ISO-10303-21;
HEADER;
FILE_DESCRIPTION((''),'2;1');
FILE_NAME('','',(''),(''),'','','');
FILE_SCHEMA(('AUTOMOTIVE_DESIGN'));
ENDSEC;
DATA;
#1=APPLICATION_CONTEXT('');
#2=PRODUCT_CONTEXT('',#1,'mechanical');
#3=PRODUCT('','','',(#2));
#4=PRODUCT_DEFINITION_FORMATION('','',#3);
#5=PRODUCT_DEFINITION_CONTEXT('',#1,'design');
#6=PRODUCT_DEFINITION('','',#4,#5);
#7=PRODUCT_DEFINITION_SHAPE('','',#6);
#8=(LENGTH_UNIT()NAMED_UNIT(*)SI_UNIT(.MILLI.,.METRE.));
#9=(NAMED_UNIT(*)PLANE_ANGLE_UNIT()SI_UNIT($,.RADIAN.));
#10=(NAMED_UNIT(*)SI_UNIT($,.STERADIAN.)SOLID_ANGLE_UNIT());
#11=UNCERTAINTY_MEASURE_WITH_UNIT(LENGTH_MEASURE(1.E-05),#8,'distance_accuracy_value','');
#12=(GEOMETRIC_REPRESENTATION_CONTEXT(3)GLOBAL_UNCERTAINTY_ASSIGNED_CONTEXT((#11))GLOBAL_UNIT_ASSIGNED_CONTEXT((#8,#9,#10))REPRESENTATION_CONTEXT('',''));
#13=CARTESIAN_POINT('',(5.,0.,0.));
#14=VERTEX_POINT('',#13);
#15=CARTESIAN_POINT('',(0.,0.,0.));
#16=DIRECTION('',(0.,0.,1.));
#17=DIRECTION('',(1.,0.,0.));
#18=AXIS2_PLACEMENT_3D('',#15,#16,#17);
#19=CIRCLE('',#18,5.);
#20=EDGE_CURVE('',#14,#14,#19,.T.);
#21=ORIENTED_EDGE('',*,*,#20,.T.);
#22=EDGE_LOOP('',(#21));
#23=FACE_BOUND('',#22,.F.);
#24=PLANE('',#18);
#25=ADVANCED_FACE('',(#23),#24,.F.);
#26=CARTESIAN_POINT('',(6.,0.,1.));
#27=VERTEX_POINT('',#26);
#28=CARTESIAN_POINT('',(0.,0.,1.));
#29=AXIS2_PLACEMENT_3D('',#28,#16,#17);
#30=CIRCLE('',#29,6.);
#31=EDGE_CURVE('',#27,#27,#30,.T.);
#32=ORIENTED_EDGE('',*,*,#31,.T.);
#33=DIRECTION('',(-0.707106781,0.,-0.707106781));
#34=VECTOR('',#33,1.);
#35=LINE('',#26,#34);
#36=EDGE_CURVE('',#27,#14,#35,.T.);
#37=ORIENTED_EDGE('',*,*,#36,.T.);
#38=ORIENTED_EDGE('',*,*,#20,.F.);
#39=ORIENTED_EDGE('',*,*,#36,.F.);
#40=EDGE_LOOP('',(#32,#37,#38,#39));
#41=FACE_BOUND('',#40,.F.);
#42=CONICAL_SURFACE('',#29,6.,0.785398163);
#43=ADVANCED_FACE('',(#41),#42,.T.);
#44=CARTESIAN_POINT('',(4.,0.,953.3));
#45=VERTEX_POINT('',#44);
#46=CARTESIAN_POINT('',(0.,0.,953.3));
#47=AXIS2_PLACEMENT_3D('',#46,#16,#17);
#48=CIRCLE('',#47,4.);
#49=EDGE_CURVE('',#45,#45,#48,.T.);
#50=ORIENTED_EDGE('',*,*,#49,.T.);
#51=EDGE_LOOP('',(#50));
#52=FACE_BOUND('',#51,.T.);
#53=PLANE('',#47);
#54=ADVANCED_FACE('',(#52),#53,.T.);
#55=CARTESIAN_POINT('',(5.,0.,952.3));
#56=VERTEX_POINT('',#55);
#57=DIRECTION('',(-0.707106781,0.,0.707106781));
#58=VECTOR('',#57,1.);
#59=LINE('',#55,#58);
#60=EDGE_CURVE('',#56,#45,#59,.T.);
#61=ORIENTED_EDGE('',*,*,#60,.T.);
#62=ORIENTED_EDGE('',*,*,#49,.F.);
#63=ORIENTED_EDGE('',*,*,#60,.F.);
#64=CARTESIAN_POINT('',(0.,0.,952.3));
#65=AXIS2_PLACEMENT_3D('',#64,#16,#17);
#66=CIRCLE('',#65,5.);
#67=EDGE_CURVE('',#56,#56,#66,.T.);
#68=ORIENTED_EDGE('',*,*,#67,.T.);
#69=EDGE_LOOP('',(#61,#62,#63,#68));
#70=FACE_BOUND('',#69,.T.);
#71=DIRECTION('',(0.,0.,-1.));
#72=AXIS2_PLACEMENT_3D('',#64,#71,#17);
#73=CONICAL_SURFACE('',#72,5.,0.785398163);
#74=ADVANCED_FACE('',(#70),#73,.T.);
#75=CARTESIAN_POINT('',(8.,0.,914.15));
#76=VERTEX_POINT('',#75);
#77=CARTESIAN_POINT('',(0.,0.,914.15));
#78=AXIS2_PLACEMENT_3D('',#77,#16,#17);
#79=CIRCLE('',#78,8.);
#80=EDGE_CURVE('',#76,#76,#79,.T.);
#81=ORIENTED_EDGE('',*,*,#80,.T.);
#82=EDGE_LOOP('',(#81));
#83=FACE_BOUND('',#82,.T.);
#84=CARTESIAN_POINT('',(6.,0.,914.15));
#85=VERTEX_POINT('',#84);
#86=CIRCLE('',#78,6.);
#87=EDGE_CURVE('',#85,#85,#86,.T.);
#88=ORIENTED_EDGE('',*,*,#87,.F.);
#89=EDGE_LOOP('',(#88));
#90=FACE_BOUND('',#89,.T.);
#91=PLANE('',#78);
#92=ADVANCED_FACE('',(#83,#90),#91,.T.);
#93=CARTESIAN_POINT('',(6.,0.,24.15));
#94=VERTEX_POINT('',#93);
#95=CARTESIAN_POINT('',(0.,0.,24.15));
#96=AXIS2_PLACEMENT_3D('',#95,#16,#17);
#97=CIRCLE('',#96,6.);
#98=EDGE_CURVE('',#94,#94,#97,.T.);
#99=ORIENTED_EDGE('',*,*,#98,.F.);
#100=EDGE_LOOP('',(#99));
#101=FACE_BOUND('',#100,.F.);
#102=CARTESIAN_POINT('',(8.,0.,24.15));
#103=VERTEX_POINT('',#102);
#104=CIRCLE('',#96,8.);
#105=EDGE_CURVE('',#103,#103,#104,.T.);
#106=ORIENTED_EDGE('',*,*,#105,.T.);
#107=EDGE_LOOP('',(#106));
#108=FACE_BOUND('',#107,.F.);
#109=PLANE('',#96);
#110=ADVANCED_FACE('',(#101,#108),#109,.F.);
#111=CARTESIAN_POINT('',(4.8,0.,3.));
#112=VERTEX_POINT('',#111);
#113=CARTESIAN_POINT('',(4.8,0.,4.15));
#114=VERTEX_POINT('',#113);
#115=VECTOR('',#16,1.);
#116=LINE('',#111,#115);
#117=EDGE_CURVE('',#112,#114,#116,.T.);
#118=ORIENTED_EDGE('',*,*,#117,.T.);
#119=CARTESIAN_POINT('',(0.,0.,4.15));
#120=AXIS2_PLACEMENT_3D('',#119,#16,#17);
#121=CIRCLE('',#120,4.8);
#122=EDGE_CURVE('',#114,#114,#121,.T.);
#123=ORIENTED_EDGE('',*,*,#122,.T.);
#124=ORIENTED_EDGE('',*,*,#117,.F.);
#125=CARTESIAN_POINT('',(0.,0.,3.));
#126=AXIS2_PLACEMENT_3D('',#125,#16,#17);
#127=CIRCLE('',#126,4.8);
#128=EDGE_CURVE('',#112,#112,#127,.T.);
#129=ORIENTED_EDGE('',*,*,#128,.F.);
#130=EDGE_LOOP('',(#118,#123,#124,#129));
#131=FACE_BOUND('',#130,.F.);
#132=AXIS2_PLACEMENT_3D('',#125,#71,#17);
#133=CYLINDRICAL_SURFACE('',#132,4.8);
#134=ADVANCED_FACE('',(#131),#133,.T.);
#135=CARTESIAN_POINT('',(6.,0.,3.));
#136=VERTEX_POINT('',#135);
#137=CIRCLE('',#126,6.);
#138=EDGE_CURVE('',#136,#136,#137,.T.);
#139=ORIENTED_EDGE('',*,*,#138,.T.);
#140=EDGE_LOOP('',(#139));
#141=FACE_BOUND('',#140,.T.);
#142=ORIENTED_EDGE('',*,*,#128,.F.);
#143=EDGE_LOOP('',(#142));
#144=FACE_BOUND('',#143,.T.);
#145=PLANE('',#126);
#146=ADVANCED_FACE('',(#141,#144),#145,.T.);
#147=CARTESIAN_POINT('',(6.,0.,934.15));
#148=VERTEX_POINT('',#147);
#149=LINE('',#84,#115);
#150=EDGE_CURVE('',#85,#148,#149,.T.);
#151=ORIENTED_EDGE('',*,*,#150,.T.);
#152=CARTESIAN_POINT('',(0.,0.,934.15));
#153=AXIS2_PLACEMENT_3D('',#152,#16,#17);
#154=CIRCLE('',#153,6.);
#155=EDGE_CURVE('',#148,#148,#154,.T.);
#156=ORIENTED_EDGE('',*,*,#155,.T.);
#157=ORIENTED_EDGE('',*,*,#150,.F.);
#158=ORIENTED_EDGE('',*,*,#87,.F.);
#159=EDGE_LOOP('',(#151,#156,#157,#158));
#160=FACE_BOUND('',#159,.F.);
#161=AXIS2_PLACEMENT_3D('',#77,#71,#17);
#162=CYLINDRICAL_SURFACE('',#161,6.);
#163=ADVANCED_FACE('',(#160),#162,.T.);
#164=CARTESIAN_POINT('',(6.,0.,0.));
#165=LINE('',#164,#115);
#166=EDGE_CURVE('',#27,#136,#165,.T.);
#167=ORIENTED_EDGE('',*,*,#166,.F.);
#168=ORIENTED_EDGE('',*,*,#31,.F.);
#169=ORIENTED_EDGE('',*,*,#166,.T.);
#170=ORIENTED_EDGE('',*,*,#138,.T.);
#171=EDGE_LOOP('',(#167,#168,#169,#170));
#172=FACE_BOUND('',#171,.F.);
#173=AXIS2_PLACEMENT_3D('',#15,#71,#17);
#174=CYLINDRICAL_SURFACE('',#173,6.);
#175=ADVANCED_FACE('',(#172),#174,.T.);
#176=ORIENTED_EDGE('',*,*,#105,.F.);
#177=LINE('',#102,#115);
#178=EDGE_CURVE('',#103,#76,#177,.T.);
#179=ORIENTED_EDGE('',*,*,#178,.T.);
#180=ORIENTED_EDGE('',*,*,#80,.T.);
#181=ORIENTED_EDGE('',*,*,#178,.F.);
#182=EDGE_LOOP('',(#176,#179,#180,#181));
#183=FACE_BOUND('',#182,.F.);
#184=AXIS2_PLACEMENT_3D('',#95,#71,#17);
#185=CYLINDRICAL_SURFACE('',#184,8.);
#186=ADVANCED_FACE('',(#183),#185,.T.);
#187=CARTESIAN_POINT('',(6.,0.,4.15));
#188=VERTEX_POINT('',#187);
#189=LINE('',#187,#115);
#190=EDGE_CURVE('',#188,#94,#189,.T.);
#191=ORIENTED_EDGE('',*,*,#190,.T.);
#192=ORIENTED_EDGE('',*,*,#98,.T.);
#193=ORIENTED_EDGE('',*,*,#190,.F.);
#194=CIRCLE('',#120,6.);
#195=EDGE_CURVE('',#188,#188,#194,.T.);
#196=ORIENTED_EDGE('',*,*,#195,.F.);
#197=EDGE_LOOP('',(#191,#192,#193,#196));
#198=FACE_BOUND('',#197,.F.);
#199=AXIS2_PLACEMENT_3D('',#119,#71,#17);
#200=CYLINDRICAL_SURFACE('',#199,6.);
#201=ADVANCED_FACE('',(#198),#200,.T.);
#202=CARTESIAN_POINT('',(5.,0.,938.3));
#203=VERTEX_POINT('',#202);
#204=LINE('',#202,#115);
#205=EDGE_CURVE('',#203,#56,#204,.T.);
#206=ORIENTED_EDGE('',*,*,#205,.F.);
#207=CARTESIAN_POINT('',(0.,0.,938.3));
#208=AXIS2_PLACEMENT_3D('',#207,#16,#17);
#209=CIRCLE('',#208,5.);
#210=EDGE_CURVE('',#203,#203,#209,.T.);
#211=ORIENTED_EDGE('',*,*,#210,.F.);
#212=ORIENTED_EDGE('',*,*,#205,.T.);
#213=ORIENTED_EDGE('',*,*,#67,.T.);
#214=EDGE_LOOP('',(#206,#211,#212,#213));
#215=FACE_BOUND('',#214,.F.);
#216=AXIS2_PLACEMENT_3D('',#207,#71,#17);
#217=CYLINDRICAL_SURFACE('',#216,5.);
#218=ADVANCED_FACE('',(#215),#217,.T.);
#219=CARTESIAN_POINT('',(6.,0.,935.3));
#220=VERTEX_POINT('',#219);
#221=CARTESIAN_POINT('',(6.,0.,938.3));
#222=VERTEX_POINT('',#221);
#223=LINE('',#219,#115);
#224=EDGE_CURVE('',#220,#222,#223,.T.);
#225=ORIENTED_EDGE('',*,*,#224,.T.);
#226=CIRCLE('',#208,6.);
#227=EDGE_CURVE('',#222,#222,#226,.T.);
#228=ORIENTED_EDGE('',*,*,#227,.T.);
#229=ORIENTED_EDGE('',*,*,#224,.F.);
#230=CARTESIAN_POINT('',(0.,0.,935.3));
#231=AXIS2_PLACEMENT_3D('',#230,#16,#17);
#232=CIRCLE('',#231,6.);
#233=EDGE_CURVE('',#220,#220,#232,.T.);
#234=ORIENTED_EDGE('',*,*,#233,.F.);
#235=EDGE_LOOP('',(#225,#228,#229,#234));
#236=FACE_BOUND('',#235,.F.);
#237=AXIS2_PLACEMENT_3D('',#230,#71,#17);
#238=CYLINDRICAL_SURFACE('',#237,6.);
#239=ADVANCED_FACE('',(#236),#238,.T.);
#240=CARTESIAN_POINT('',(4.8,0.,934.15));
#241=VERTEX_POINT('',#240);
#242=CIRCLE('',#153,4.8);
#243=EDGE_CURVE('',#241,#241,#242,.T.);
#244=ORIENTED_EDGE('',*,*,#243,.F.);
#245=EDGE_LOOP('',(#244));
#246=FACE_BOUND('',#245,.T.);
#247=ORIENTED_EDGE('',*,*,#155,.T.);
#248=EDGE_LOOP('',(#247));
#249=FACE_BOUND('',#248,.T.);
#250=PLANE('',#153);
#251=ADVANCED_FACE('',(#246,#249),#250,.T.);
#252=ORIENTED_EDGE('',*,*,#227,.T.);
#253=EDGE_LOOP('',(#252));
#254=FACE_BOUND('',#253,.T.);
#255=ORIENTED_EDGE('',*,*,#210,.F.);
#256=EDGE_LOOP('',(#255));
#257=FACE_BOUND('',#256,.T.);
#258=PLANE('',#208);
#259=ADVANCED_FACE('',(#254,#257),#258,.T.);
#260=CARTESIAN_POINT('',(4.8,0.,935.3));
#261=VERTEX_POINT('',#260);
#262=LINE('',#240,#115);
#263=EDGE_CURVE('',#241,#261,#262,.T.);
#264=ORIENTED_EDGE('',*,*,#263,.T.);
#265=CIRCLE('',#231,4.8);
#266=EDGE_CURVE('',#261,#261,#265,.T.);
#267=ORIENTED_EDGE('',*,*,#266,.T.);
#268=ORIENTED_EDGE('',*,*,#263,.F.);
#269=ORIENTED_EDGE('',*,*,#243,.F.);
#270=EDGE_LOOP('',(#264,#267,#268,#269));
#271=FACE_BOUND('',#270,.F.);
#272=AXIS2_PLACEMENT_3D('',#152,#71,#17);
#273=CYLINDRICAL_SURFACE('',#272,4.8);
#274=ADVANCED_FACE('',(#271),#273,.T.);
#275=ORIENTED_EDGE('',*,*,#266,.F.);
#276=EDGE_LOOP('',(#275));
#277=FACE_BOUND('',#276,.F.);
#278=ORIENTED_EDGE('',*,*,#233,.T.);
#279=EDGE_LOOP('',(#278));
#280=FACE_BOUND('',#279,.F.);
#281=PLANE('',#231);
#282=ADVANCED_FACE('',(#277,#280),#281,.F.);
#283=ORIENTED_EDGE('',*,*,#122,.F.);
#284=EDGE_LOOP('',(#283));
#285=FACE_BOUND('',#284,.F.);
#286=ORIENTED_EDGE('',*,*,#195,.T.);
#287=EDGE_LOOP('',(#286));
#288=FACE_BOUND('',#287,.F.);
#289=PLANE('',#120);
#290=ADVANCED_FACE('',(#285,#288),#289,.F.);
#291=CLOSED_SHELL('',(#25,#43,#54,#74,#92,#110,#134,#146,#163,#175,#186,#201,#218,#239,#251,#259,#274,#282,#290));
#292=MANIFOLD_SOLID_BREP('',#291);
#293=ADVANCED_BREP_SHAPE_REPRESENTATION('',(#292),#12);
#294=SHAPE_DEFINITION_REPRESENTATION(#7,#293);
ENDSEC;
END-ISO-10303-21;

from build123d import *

# Parameters (mm, degrees)
F0_R      = 6
F1_DEPTH  = 3
F2_R      = 4.8
F3_DEPTH  = 1.15
F4_R      = 6
F4_R_2    = 4.8
F5_DEPTH  = 20
F6_R      = 8
F6_R_2    = 6
F7_DEPTH  = 890
F8_R      = 6
F9_DEPTH  = 20
F10_R     = 4.8
F11_DEPTH = 1.15
F12_R     = 6
F12_R_2   = 4.8
F13_DEPTH = 3
F14_R     = 5
F15_DEPTH = 15
F16_SIZE  = 1


with BuildPart() as f1:
    # F0 (on Top) → F1 (new body)
    with BuildSketch(Plane.XY):
        Circle(F0_R)
    extrude(amount=F1_DEPTH)

    # F2 (on face) → F3 (join)
    with BuildSketch(Plane.XY.offset(3)):
        Circle(F2_R)
    extrude(amount=F3_DEPTH)

    # F4 (on face) → F5 (join)
    with BuildSketch(Plane.XY.offset(4.15)):
        Circle(F4_R)
        Circle(F4_R_2, mode=Mode.SUBTRACT)
        Circle(F4_R_2)
    extrude(amount=F5_DEPTH)

    # F6 (on face) → F7 (join)
    with BuildSketch(Plane.XY.offset(24.15)):
        Circle(F6_R)
        Circle(F6_R_2, mode=Mode.SUBTRACT)
        Circle(F6_R_2)
    extrude(amount=F7_DEPTH)

    # F8 (on face) → F9 (join)
    with BuildSketch(Plane.XY.offset(914.15)):
        Circle(F8_R)
    extrude(amount=F9_DEPTH)

    # F10 (on face) → F11 (join)
    with BuildSketch(Plane.XY.offset(934.15)):
        Circle(F10_R)
    extrude(amount=F11_DEPTH)

    # F12 (on face) → F13 (join)
    with BuildSketch(Plane.XY.offset(935.3)):
        Circle(F12_R)
        Circle(F12_R_2, mode=Mode.SUBTRACT)
        Circle(F12_R_2)
    extrude(amount=F13_DEPTH)

    # F14 (on face) → F15 (join)
    with BuildSketch(Plane.XY.offset(938.3)):
        Circle(F14_R)
    extrude(amount=F15_DEPTH)

    # F16
    f16_edges = [f1.edges().sort_by_distance(p)[0] for p in [
        (-5, 0, 953.3),
        (-6, 0, 0),
    ]]
    chamfer(f16_edges, length=F16_SIZE)


solid = f1.part
